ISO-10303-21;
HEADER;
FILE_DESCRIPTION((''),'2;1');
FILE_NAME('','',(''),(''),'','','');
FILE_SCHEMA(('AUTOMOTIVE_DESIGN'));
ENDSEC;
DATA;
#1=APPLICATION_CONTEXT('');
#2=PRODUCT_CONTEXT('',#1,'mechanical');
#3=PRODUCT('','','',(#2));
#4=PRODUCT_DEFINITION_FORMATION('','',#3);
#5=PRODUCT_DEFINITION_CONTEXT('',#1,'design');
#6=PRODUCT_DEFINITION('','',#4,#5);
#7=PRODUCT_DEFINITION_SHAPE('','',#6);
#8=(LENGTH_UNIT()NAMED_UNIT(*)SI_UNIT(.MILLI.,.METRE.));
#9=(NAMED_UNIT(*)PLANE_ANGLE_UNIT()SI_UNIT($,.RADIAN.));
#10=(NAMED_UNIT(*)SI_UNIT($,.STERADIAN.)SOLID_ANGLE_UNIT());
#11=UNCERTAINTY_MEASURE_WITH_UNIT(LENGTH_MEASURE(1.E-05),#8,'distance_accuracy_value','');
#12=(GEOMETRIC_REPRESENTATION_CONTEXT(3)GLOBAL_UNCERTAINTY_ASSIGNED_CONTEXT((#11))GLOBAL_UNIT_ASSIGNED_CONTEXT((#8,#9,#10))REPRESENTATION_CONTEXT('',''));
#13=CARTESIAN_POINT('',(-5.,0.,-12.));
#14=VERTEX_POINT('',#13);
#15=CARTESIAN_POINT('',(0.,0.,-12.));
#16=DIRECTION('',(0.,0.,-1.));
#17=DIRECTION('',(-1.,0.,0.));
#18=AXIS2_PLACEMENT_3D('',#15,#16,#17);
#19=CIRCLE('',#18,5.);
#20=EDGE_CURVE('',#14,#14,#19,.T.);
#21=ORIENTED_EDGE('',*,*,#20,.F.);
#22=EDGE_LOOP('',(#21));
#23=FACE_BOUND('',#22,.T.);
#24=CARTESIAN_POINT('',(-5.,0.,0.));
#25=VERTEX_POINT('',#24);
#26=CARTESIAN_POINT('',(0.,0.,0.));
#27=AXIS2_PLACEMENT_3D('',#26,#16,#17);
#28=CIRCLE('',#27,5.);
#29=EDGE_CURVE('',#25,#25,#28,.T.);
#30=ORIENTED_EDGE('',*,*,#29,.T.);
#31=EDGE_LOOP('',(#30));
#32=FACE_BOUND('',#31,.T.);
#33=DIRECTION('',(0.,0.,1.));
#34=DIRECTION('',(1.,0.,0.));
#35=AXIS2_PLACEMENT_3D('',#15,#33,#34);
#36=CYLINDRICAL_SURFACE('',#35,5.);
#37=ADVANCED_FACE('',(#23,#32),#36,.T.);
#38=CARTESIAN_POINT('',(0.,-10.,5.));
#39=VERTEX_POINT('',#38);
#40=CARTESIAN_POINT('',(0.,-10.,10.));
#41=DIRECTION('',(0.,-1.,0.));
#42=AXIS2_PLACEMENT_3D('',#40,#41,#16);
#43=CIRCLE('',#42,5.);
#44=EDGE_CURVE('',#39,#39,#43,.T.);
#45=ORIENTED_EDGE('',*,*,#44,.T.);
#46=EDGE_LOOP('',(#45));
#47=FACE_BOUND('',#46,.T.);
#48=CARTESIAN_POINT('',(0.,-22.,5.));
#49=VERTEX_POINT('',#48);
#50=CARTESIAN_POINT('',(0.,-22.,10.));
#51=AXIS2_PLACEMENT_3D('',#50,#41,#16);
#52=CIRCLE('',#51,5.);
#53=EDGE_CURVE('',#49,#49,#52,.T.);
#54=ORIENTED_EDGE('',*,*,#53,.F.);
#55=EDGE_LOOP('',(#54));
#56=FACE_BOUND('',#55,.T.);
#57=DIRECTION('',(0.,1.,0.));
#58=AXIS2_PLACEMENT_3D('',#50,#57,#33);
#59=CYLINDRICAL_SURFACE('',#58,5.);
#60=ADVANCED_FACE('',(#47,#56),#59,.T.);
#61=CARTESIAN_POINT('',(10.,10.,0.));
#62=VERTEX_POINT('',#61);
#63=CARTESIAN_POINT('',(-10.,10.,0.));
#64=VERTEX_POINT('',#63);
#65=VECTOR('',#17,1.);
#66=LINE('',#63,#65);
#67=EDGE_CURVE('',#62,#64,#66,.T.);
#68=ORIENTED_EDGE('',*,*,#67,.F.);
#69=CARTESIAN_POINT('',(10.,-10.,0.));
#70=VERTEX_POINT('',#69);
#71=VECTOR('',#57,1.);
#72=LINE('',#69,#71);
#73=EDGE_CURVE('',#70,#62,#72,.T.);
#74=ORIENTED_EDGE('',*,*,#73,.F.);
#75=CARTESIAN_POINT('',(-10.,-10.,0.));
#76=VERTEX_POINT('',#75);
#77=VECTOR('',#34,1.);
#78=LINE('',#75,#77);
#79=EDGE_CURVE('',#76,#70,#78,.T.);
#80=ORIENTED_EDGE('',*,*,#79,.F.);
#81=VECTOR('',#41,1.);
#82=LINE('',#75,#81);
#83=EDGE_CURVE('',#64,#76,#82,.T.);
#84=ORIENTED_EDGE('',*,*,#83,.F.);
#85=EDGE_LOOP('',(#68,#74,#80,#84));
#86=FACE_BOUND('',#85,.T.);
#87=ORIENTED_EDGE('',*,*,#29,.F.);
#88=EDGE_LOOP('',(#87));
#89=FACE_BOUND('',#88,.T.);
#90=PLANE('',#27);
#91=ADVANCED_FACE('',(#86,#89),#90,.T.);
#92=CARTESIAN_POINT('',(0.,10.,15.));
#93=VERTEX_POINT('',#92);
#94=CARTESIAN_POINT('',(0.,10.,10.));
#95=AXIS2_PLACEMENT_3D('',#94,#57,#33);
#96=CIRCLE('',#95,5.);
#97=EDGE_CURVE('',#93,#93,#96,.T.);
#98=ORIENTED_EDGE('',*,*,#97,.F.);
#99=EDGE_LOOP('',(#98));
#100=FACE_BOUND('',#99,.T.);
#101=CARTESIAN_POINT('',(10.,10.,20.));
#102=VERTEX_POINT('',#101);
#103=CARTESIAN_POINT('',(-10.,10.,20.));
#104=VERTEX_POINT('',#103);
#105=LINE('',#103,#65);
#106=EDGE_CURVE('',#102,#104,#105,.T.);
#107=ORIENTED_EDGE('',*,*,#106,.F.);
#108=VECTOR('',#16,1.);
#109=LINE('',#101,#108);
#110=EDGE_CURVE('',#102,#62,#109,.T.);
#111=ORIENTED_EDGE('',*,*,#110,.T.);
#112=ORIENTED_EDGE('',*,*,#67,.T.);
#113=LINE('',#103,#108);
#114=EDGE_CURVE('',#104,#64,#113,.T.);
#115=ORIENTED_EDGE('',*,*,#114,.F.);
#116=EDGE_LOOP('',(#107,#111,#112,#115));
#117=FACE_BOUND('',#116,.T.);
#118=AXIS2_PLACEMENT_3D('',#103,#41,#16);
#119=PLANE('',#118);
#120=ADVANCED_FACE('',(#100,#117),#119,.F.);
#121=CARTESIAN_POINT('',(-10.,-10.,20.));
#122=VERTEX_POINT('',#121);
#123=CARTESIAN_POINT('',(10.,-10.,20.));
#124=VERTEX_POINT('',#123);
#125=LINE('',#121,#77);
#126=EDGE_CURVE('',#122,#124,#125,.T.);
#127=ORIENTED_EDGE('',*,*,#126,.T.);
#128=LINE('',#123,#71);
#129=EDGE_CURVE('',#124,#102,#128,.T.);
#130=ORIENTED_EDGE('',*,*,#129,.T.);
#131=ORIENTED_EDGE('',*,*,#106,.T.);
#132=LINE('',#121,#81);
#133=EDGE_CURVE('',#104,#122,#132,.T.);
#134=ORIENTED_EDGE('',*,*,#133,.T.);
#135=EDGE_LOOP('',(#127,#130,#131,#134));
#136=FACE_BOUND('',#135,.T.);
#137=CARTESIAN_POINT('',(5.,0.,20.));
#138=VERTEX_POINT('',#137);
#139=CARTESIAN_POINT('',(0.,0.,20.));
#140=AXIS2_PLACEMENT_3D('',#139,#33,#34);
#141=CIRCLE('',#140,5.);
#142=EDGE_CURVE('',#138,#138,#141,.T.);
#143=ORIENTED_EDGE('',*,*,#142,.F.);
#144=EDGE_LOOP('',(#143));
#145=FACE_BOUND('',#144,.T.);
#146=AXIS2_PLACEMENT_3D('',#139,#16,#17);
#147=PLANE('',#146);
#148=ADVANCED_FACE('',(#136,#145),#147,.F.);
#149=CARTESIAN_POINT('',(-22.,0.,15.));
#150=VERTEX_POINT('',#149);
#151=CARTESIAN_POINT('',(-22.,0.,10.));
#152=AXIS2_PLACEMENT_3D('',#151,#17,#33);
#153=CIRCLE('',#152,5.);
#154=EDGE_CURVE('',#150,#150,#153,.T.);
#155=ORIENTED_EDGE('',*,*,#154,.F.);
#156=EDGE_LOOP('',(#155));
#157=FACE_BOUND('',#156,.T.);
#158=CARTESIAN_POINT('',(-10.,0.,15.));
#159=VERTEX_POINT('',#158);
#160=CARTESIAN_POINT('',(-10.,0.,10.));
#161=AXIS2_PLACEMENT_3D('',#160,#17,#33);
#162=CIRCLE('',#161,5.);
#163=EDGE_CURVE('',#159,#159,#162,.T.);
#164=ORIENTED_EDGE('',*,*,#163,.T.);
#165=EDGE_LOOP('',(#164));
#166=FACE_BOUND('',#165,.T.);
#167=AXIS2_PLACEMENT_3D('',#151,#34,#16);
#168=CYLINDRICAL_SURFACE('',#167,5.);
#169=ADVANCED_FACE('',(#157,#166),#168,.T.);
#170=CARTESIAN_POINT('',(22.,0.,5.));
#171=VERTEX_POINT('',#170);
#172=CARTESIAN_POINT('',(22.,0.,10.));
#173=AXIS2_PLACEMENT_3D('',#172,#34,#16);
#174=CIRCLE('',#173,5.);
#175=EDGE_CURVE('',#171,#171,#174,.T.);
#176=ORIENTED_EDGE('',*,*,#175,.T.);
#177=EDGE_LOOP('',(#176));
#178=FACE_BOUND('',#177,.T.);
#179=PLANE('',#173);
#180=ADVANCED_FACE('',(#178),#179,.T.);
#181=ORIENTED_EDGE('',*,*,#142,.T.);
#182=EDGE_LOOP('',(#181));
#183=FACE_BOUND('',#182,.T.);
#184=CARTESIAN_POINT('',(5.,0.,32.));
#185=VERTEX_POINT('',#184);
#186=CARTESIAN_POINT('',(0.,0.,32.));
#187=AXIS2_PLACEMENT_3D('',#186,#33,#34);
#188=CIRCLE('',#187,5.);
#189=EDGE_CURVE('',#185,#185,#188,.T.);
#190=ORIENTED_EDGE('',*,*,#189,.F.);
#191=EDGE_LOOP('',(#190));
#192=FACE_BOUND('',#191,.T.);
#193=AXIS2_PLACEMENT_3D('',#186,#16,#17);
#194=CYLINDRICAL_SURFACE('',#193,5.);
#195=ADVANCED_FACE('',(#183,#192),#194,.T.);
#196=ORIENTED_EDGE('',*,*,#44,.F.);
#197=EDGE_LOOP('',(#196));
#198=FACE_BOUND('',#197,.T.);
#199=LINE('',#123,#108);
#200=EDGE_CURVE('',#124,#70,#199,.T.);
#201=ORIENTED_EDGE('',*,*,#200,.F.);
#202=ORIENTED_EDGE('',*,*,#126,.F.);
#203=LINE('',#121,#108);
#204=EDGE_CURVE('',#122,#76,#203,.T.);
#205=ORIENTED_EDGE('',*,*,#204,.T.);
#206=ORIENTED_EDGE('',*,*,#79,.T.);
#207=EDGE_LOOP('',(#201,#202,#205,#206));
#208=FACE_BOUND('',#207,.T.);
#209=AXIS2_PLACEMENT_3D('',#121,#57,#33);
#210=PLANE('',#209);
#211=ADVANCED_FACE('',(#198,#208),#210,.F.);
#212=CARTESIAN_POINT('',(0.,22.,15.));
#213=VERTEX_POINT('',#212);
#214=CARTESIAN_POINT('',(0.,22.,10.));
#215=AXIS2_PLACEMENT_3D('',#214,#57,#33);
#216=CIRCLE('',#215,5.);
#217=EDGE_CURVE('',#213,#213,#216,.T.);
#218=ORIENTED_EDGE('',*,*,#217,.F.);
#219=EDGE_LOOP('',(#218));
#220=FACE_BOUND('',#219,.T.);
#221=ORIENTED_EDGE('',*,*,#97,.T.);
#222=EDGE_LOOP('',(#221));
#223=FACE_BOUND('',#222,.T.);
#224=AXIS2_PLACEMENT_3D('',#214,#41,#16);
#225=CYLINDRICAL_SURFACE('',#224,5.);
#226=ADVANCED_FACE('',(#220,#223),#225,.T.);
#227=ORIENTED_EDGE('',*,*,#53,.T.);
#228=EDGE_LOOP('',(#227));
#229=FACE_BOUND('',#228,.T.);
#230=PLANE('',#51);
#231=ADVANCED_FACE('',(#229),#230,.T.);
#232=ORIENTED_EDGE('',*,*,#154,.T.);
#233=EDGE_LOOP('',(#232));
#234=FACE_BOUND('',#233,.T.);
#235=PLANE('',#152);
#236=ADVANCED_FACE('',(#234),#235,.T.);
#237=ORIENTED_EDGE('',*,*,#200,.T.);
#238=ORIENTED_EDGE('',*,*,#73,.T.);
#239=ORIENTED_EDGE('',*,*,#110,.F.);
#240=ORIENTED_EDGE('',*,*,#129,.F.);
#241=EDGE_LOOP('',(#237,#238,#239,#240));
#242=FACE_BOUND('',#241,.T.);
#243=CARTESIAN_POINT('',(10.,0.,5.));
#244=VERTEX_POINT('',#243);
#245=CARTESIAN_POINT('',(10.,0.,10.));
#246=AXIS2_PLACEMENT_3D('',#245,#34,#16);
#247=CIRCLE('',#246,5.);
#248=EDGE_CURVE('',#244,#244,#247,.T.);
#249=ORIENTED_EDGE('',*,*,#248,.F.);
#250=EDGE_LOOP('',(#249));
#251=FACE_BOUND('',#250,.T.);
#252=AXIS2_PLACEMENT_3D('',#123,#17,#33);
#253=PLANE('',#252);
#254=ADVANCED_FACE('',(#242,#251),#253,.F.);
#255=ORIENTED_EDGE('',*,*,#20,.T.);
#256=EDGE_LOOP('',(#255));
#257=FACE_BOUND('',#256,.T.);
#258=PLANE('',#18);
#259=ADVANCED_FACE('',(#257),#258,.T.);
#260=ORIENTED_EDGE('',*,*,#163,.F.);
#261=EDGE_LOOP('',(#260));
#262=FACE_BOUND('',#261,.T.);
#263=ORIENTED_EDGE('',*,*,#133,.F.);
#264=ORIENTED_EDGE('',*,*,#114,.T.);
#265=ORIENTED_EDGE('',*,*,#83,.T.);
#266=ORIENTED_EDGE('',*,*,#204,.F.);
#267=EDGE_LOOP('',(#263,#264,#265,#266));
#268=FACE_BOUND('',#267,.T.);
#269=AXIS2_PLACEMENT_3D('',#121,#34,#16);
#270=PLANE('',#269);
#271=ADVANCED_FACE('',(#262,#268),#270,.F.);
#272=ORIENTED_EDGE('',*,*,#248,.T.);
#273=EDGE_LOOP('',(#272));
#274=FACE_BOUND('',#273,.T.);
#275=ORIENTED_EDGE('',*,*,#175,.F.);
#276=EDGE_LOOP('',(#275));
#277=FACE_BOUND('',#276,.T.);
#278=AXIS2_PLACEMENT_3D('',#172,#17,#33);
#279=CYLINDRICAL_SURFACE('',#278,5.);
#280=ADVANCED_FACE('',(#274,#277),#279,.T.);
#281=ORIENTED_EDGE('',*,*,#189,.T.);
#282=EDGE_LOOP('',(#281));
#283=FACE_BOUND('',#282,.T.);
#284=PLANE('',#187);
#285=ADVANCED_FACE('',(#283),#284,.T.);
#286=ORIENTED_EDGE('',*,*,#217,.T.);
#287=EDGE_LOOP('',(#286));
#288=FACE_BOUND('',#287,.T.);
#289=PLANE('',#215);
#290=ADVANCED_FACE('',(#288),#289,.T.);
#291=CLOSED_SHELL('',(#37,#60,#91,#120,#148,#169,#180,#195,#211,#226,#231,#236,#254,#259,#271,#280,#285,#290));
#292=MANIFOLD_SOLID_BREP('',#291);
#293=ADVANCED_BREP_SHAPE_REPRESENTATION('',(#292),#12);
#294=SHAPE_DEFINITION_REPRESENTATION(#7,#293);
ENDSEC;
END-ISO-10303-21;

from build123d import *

# Parameters (mm, degrees)
ESBO_O1_W                = 20
ESBO_O1_H                = 20
RESSALTO_EXTRUS_O1_DEPTH = 20
ESBO_O2_R                = 5
RESSALTO_EXTRUS_O2_DEPTH = 12
ESBO_O3_R                = 5
RESSALTO_EXTRUS_O3_DEPTH = 12
RESSALTO_EXTRUS_O4_START = 12
ESBO_O4_R                = 5
RESSALTO_EXTRUS_O4_DEPTH = 12
RESSALTO_EXTRUS_O5_START = 12
ESBO_O5_R                = 5
RESSALTO_EXTRUS_O5_DEPTH = 12
ESBO_O6_R                = 5
RESSALTO_EXTRUS_O6_DEPTH = 12
RESSALTO_EXTRUS_O7_START = 12
ESBO_O7_R                = 5
RESSALTO_EXTRUS_O7_DEPTH = 12


with BuildPart() as part:
    # Esboço1 → Ressalto-extrusão1 (new body)
    with BuildSketch(Plane.XY):
        Rectangle(ESBO_O1_W, ESBO_O1_H)
    extrude(amount=RESSALTO_EXTRUS_O1_DEPTH)

    # Esboço2 → Ressalto-extrusão2 (add)
    with BuildSketch(Plane(origin=(10, 0, 0), x_dir=(0, 0, -1), z_dir=(1, 0, 0))):
        with Locations((-10, 0)):
            Circle(ESBO_O2_R)
    extrude(amount=RESSALTO_EXTRUS_O2_DEPTH)

    # Esboço3 → Ressalto-extrusão3 (add)
    with BuildSketch(Plane(origin=(0, 10, 0), x_dir=(1, 0, 0), z_dir=(0, 1, 0))):
        with Locations(Location((0, -10, 0), (0, 0, 270))):
            Circle(ESBO_O3_R)
    extrude(amount=RESSALTO_EXTRUS_O3_DEPTH)

    # Esboço4 → Ressalto-extrusão4 (add)
    with BuildSketch(Plane.ZY.offset(10).offset(RESSALTO_EXTRUS_O4_START)):
        with Locations(Location((10, 0, 0), (0, 0, 180))):
            Circle(ESBO_O4_R)
    extrude(amount=-RESSALTO_EXTRUS_O4_DEPTH)

    # Esboço5 → Ressalto-extrusão5 (add)
    with BuildSketch(Plane.XZ.offset(10).offset(RESSALTO_EXTRUS_O5_START)):
        with Locations(Location((0, 10, 0), (0, 0, 90))):
            Circle(ESBO_O5_R)
    extrude(amount=-RESSALTO_EXTRUS_O5_DEPTH)

    # Esboço6 → Ressalto-extrusão6 (add)
    with BuildSketch(Plane(origin=(0, 0, 0), x_dir=(-1, 0, 0), z_dir=(0, 0, -1))):
        Circle(ESBO_O6_R)
    extrude(amount=RESSALTO_EXTRUS_O6_DEPTH)

    # Esboço7 → Ressalto-extrusão7 (add)
    with BuildSketch(Plane.XY.offset(20).offset(RESSALTO_EXTRUS_O7_START)):
        with Locations(Location((0, 0, 0), (0, 0, 180))):
            Circle(ESBO_O7_R)
    extrude(amount=-RESSALTO_EXTRUS_O7_DEPTH)


solid = part.part
